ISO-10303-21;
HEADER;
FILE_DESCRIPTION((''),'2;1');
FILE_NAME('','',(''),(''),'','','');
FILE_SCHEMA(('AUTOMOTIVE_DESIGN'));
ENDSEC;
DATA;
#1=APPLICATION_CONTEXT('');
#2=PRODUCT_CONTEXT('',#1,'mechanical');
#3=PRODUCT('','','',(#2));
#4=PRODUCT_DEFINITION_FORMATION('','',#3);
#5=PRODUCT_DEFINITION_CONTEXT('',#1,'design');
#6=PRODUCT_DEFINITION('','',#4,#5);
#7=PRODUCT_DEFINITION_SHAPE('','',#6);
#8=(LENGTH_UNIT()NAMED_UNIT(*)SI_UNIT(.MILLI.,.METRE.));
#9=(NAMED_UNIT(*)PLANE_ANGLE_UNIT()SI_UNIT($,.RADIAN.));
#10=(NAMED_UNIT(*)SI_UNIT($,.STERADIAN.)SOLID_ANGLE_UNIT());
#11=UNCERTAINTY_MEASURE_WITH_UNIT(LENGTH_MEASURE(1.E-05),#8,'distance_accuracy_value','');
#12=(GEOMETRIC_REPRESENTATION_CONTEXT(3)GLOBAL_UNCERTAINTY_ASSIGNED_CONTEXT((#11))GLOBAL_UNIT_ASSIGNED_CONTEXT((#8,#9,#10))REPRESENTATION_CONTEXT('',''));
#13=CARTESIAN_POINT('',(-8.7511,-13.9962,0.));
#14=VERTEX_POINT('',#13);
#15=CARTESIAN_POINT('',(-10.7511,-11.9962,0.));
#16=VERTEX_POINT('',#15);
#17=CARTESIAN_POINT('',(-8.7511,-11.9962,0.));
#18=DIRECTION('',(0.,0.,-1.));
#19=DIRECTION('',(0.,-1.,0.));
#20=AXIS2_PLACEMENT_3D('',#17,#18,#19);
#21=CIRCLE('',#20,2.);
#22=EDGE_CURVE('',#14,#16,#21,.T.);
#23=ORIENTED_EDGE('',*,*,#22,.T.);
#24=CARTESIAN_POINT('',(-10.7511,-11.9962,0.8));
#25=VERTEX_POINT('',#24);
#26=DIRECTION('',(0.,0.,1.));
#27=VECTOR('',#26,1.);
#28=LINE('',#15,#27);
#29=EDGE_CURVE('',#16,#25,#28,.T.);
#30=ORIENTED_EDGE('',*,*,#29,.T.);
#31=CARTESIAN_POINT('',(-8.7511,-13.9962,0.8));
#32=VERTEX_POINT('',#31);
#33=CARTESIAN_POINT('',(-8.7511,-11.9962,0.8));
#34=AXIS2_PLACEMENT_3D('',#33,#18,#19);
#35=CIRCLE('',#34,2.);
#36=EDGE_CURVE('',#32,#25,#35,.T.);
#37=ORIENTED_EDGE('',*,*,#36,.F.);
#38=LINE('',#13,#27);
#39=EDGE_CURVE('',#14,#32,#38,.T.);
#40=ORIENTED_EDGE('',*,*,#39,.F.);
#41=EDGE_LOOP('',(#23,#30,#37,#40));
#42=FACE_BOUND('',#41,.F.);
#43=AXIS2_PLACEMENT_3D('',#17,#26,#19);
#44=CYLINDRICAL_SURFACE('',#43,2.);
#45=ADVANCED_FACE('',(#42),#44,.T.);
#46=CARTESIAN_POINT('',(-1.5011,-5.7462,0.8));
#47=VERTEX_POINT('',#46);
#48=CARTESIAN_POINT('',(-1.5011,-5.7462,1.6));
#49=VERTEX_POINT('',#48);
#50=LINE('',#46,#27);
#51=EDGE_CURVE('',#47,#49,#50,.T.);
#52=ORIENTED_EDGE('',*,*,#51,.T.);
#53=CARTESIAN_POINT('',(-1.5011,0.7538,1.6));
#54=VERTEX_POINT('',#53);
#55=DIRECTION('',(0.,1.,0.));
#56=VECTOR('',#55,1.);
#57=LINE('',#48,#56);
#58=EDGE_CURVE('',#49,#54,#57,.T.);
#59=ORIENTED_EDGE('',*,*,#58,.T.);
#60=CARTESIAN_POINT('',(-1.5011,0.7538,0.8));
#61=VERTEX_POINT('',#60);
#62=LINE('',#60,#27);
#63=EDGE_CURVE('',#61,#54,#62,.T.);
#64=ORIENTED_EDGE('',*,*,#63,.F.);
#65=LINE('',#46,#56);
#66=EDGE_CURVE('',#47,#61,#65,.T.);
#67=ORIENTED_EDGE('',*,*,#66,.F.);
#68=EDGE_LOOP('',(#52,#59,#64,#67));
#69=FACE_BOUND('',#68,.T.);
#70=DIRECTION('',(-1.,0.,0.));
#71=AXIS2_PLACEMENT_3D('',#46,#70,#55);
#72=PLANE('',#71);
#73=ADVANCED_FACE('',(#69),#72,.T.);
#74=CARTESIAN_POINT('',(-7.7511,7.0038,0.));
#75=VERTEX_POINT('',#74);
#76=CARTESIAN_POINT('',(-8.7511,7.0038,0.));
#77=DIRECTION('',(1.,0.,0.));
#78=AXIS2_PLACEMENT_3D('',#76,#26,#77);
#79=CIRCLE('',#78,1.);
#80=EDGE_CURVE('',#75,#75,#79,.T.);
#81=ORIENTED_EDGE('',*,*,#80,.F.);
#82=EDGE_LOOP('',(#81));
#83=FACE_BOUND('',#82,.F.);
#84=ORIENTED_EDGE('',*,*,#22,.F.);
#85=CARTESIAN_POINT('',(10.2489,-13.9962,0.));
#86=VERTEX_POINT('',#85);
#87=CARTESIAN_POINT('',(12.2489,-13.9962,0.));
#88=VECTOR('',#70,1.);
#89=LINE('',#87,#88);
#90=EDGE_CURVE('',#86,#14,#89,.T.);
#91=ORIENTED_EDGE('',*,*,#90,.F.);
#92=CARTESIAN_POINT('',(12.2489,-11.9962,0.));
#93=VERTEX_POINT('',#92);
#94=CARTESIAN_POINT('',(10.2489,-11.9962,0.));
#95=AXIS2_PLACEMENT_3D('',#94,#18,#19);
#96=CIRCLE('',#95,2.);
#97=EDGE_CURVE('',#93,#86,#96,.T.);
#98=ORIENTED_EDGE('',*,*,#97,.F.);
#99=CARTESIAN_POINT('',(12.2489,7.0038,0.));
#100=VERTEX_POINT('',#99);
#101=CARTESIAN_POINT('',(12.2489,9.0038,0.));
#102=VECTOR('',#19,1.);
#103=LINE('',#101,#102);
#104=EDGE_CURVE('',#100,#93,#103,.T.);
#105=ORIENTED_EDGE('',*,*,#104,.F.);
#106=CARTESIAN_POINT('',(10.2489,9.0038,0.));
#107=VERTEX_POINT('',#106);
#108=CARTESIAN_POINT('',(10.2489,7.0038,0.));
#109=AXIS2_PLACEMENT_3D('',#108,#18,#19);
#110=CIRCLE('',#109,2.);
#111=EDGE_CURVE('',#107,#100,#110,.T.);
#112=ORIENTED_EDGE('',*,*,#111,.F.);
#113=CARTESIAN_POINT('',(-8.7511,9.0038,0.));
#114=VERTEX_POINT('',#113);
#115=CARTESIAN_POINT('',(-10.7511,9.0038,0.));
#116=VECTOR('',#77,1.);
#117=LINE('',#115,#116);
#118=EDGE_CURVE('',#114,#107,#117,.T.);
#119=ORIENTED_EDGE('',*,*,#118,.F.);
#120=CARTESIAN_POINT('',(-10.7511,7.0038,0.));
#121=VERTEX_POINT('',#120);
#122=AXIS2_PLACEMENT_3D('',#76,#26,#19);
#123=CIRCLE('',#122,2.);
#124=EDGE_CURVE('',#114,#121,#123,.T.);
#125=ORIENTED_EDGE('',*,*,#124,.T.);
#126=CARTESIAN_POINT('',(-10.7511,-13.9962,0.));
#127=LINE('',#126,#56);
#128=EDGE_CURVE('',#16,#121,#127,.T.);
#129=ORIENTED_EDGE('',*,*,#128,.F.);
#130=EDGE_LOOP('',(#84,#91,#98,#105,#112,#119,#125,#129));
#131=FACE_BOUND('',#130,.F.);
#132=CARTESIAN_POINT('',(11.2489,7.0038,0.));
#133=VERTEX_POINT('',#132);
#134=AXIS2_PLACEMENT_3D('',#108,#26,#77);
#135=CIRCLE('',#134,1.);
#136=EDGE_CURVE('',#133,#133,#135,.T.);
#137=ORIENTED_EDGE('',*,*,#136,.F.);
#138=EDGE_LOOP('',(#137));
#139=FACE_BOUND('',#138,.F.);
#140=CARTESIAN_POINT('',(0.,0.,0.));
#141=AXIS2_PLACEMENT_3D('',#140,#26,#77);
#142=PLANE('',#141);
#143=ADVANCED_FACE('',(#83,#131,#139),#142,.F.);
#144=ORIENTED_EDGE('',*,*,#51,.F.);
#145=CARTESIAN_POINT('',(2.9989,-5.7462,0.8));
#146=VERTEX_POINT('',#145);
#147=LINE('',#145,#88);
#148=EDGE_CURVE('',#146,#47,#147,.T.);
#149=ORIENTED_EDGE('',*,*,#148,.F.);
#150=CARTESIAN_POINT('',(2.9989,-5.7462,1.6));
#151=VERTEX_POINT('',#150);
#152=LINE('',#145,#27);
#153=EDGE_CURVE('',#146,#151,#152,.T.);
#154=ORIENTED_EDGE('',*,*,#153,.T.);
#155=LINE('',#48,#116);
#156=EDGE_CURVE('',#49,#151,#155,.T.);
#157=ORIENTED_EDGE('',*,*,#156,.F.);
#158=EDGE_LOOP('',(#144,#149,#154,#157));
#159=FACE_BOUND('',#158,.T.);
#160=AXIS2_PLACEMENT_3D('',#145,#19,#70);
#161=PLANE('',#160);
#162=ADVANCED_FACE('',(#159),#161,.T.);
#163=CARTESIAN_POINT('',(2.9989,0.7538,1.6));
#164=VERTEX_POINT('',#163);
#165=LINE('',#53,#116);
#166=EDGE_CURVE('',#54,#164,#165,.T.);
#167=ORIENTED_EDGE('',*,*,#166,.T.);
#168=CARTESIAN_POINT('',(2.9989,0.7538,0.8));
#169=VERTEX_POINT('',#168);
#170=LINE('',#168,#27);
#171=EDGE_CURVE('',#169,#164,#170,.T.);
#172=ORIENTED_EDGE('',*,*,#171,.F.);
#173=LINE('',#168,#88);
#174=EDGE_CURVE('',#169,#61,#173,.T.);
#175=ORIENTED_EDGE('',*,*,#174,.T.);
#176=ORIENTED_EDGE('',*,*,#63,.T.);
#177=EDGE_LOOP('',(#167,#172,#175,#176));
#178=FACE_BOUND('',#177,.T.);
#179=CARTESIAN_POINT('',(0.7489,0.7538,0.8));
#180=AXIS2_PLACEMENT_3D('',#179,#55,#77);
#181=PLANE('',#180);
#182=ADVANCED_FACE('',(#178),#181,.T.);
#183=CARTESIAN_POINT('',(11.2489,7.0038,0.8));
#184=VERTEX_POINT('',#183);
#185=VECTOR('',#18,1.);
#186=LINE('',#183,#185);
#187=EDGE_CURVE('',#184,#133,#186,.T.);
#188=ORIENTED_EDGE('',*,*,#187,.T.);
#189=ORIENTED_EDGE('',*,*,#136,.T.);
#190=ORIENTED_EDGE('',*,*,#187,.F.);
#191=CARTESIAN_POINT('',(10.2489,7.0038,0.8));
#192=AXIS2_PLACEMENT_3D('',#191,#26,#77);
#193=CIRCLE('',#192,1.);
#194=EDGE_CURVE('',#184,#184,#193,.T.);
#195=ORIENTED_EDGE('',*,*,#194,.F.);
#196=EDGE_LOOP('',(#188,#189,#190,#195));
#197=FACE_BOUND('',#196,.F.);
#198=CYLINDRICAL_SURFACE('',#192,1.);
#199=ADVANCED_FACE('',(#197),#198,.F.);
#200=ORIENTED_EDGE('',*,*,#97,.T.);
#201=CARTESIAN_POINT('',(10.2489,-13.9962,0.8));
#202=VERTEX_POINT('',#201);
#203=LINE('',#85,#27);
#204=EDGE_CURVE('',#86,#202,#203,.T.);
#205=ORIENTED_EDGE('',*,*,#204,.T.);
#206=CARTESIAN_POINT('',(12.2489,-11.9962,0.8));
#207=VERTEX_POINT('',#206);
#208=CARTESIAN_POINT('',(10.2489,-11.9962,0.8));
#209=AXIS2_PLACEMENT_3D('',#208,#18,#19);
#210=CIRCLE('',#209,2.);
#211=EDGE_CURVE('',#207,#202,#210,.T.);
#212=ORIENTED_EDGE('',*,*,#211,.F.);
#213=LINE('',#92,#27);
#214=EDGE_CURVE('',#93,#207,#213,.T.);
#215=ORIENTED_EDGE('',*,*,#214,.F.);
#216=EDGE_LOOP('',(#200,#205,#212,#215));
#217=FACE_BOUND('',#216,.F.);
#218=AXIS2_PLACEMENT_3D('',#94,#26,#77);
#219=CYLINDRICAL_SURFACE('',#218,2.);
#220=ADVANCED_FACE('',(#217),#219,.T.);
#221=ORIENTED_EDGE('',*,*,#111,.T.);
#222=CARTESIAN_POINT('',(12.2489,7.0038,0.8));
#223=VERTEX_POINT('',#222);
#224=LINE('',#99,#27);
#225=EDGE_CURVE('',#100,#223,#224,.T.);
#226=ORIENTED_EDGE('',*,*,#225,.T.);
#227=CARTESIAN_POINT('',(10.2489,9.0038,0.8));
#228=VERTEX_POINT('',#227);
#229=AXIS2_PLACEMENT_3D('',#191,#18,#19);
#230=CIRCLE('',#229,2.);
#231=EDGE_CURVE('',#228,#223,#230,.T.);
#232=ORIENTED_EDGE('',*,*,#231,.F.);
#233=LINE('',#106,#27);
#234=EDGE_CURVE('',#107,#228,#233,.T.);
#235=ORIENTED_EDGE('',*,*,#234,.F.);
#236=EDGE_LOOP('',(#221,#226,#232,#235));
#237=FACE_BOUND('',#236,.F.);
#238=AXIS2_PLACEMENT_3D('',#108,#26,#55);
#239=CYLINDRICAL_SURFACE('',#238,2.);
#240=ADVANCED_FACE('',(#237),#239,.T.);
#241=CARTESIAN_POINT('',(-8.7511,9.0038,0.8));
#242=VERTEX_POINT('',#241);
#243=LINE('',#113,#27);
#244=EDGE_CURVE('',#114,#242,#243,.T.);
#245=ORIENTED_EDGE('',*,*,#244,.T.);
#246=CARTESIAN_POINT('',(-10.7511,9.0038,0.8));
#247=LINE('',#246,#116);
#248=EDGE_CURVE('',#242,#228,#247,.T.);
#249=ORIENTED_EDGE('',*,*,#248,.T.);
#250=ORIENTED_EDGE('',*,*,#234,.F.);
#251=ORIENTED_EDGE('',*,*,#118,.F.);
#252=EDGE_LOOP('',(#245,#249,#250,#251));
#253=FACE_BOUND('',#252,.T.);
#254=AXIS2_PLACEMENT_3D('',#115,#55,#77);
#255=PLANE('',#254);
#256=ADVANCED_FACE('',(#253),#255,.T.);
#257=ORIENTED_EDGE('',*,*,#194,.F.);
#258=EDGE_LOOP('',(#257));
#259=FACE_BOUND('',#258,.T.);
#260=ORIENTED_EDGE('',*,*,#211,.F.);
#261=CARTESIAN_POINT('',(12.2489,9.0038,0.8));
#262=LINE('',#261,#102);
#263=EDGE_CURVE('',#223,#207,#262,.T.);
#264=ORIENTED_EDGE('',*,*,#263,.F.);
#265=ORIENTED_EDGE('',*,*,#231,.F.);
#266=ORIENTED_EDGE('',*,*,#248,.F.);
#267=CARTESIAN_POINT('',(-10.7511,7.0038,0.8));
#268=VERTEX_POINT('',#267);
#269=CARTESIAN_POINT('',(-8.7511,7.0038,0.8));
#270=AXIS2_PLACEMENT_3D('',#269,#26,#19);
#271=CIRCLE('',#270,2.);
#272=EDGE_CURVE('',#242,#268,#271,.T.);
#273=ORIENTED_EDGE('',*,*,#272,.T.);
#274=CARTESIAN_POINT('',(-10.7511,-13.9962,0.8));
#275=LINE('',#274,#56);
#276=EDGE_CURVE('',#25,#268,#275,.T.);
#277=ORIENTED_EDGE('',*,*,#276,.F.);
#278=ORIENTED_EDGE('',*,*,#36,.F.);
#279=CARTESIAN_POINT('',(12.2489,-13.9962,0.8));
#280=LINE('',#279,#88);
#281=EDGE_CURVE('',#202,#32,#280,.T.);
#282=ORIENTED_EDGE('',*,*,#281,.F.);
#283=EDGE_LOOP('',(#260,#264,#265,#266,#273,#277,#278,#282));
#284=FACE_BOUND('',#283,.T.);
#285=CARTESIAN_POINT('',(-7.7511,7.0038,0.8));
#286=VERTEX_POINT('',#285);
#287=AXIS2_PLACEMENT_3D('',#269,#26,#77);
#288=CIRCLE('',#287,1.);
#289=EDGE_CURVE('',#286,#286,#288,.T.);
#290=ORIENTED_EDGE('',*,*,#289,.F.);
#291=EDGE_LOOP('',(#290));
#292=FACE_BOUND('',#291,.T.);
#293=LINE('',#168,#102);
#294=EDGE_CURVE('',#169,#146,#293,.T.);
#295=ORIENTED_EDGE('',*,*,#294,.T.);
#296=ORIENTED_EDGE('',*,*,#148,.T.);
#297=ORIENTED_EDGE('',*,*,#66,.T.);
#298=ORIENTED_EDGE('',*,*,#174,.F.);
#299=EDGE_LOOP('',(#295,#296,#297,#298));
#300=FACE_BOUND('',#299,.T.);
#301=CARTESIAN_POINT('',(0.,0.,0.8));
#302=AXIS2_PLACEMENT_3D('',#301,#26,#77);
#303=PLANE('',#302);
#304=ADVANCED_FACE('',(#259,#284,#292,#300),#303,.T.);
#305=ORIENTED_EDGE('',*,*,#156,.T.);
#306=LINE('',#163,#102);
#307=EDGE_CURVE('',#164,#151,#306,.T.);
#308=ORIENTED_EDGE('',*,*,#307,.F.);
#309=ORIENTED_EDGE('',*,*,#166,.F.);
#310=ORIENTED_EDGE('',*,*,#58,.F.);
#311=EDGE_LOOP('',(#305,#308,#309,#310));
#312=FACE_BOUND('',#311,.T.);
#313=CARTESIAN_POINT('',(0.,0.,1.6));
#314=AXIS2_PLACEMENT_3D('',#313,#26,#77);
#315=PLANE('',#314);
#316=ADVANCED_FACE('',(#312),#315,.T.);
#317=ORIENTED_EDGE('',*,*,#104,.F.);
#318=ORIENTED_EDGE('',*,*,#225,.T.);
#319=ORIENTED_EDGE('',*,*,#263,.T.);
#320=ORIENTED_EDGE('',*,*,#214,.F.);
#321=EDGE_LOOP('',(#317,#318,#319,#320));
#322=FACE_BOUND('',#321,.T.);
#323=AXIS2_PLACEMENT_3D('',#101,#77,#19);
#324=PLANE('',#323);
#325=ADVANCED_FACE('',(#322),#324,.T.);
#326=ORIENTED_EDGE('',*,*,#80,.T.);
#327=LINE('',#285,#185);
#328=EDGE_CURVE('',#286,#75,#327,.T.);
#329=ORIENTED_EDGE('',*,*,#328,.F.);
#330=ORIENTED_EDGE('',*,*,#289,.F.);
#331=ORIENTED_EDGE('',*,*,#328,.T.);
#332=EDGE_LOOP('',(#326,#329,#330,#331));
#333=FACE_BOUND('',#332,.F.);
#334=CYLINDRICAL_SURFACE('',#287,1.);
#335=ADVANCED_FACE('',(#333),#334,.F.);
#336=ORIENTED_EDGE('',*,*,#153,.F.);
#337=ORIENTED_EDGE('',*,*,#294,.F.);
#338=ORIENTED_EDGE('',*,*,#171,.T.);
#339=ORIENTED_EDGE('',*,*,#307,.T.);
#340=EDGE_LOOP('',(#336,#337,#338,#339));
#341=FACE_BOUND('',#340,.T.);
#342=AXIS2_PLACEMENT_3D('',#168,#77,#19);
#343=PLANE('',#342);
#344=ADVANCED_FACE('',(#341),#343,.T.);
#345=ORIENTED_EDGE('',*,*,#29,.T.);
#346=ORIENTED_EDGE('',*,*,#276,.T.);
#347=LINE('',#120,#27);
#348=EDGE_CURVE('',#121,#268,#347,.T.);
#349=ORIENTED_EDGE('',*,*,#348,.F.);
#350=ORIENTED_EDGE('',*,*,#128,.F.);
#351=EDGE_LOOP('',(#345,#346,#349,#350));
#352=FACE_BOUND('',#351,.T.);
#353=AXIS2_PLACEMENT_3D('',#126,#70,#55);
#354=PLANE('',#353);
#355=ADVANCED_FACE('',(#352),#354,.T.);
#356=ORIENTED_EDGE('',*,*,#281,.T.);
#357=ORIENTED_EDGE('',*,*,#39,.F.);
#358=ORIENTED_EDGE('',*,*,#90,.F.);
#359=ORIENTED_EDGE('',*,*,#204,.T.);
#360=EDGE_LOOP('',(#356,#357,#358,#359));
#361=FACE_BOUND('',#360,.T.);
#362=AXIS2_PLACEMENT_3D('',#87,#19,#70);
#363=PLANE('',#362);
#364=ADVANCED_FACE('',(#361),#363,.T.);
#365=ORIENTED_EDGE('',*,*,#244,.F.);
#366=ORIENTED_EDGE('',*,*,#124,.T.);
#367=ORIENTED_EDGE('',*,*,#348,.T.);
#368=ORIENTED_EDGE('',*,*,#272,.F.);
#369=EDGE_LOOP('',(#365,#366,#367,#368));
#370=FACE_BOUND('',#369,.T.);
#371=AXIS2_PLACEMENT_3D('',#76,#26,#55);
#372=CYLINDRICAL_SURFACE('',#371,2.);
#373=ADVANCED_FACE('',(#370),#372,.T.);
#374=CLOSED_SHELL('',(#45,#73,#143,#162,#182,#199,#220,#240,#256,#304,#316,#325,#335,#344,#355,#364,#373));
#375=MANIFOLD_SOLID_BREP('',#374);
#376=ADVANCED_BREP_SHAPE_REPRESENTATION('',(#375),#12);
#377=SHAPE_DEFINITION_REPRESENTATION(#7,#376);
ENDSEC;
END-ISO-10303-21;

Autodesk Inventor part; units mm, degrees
ref_plane "YZ Plane" through (0, 0, 0) normal (1, 0, 0) x (0, 1, 0)
ref_plane "XZ Plane" through (0, 0, 0) normal (0, 1, 0) x (-1, 0, 0)
ref_plane "XY Plane" through (0, 0, 0) normal (0, 0, 1) x (1, 0, 0)
sketch "Sketch1" plane through (0, 0, 0) normal (0, 0, 1) x (1, 0, 0)
  line L0 (-10.7511, 9.0038) -> (12.2489, 9.0038)
  line L1 (12.2489, 9.0038) -> (12.2489, -13.9962)
  line L2 (12.2489, -13.9962) -> (-10.7511, -13.9962)
  line L3 (-10.7511, -13.9962) -> (-10.7511, 9.0038)
  point P0 (0, 0)
  dimension "d0" = 23
  dimension "d1" = 23
extrude "Extrusion1" add sketch "Sketch1" along normal blind 0.8
fillet "Fillet1" radius 2 4 edges at (12.2489, 9.0038, 0.4) (-10.7511, 9.0038, 0.4) (12.2489, -13.9962, 0.4) (-10.7511, -13.9962, 0.4)
sketch "Sketch2" plane through (0, 0, 0.8) normal (0, 0, 1) x (1, 0, 0)
  arc A0 (-8.7511, 9.0038) -> (-10.7511, 7.0038) centre (-8.7511, 7.0038) ccw projected
  circle A1 centre (-8.7511, 7.0038) radius 1
  arc A2 (12.2489, 7.0038) -> (10.2489, 9.0038) centre (10.2489, 7.0038) ccw projected
  circle A3 centre (10.2489, 7.0038) radius 1
  point P0 (0, 0)
  dimension "d5" = 2
  dimension "d6" = 2
extrude "Extrusion2" cut sketch "Sketch2" against normal blind 0.8
sketch "Sketch3" plane through (0, 0, 0.8) normal (0, 0, 1) x (1, 0, 0)
  line L0 (10.2489, 9.0038) -> (-8.7511, 9.0038) projected
  line L1 (-8.7511, -13.9962) -> (10.2489, -13.9962) projected
  line L2 (0.7489, 9.0038) -> (10.2489, 9.0038)
  line L3 (10.2489, 9.0038) -> (10.2489, -13.9962)
  line L4 (10.2489, -13.9962) -> (0.7489, -13.9962)
  line L5 (0.7489, -13.9962) -> (0.7489, 9.0038)
  line L6 (2.9989, -5.7462) -> (-1.5011, -5.7462)
  line L7 (-1.5011, -5.7462) -> (-1.5011, 0.7538)
  line L8 (-1.5011, 0.7538) -> (2.9989, 0.7538)
  line L9 (2.9989, 0.7538) -> (2.9989, -5.7462)
  line L10 (2.9989, -5.7462) -> (-1.5011, 0.7538) construction
  line L11 (-1.5011, -5.7462) -> (2.9989, 0.7538) construction
  point P0 (0, 0)
  point P1 (0.7489, -2.4962)
  dimension "d9" = 4.5
  dimension "d10" = 6.5
extrude "Extrusion3" add sketch "Sketch3" along normal blind 0.8 contours L8 L9 L6 L5 | L5 L6 L7 L8
properties part number "Encoder"
